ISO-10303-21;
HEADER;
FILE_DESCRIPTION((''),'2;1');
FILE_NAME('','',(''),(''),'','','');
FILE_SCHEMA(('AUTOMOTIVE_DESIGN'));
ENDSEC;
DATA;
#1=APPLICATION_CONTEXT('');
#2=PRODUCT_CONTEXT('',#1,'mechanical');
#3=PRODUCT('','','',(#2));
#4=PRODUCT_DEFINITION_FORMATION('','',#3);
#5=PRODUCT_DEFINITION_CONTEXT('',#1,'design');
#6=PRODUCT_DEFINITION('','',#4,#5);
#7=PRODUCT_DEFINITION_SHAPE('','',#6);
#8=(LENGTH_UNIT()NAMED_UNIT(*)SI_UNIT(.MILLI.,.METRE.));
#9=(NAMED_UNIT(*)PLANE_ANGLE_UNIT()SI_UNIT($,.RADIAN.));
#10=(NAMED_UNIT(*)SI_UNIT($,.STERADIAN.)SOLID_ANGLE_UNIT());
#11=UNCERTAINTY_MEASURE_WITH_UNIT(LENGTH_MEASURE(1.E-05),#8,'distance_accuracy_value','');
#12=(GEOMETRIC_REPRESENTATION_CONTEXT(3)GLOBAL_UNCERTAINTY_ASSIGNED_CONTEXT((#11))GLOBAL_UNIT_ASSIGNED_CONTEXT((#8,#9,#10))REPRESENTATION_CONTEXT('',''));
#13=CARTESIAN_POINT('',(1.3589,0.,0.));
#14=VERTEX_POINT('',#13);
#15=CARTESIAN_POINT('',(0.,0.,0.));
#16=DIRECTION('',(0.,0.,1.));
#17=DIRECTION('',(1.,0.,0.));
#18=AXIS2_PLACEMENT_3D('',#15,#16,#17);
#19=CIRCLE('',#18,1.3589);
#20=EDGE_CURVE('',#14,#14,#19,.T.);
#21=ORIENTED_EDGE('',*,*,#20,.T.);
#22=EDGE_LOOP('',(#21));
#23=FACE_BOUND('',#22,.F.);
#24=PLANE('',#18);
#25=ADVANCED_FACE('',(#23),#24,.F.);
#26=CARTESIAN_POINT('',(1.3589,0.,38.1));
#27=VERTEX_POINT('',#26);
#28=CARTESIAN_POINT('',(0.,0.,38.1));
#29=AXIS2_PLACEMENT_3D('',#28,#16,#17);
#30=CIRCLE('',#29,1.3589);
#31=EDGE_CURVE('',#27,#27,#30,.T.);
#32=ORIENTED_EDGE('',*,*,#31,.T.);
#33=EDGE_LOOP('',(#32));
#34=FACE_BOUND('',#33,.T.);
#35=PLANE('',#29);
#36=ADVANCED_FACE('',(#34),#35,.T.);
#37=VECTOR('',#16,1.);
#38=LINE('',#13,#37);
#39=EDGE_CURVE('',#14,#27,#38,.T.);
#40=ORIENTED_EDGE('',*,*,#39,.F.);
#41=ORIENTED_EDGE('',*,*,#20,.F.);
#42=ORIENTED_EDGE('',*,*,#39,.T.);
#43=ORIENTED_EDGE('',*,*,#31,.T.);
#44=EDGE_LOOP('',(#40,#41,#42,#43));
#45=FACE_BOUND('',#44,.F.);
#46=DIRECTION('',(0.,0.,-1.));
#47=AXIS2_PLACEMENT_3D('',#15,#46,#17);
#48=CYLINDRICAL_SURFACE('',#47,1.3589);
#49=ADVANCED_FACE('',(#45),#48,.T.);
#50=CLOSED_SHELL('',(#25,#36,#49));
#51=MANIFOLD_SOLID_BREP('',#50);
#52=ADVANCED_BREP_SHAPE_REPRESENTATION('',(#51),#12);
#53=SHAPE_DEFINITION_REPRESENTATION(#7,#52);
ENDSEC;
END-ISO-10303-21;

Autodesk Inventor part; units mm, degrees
ref_plane "YZ Plane" through (0, 0, 0) normal (1, 0, 0) x (0, 1, 0)
ref_plane "XZ Plane" through (0, 0, 0) normal (0, 1, 0) x (-1, 0, 0)
ref_plane "XY Plane" through (0, 0, 0) normal (0, 0, 1) x (1, 0, 0)
sketch "Sketch1" plane through (0, 0, 0) normal (0, 0, 1) x (1, 0, 0)
  circle A0 centre (0, 0) radius 1.3589
  dimension "d0" = 2.7178
extrude "Extrusion1" add sketch "Sketch1" along normal blind 38.1
properties part number "Motorstandoff1a1.2"
